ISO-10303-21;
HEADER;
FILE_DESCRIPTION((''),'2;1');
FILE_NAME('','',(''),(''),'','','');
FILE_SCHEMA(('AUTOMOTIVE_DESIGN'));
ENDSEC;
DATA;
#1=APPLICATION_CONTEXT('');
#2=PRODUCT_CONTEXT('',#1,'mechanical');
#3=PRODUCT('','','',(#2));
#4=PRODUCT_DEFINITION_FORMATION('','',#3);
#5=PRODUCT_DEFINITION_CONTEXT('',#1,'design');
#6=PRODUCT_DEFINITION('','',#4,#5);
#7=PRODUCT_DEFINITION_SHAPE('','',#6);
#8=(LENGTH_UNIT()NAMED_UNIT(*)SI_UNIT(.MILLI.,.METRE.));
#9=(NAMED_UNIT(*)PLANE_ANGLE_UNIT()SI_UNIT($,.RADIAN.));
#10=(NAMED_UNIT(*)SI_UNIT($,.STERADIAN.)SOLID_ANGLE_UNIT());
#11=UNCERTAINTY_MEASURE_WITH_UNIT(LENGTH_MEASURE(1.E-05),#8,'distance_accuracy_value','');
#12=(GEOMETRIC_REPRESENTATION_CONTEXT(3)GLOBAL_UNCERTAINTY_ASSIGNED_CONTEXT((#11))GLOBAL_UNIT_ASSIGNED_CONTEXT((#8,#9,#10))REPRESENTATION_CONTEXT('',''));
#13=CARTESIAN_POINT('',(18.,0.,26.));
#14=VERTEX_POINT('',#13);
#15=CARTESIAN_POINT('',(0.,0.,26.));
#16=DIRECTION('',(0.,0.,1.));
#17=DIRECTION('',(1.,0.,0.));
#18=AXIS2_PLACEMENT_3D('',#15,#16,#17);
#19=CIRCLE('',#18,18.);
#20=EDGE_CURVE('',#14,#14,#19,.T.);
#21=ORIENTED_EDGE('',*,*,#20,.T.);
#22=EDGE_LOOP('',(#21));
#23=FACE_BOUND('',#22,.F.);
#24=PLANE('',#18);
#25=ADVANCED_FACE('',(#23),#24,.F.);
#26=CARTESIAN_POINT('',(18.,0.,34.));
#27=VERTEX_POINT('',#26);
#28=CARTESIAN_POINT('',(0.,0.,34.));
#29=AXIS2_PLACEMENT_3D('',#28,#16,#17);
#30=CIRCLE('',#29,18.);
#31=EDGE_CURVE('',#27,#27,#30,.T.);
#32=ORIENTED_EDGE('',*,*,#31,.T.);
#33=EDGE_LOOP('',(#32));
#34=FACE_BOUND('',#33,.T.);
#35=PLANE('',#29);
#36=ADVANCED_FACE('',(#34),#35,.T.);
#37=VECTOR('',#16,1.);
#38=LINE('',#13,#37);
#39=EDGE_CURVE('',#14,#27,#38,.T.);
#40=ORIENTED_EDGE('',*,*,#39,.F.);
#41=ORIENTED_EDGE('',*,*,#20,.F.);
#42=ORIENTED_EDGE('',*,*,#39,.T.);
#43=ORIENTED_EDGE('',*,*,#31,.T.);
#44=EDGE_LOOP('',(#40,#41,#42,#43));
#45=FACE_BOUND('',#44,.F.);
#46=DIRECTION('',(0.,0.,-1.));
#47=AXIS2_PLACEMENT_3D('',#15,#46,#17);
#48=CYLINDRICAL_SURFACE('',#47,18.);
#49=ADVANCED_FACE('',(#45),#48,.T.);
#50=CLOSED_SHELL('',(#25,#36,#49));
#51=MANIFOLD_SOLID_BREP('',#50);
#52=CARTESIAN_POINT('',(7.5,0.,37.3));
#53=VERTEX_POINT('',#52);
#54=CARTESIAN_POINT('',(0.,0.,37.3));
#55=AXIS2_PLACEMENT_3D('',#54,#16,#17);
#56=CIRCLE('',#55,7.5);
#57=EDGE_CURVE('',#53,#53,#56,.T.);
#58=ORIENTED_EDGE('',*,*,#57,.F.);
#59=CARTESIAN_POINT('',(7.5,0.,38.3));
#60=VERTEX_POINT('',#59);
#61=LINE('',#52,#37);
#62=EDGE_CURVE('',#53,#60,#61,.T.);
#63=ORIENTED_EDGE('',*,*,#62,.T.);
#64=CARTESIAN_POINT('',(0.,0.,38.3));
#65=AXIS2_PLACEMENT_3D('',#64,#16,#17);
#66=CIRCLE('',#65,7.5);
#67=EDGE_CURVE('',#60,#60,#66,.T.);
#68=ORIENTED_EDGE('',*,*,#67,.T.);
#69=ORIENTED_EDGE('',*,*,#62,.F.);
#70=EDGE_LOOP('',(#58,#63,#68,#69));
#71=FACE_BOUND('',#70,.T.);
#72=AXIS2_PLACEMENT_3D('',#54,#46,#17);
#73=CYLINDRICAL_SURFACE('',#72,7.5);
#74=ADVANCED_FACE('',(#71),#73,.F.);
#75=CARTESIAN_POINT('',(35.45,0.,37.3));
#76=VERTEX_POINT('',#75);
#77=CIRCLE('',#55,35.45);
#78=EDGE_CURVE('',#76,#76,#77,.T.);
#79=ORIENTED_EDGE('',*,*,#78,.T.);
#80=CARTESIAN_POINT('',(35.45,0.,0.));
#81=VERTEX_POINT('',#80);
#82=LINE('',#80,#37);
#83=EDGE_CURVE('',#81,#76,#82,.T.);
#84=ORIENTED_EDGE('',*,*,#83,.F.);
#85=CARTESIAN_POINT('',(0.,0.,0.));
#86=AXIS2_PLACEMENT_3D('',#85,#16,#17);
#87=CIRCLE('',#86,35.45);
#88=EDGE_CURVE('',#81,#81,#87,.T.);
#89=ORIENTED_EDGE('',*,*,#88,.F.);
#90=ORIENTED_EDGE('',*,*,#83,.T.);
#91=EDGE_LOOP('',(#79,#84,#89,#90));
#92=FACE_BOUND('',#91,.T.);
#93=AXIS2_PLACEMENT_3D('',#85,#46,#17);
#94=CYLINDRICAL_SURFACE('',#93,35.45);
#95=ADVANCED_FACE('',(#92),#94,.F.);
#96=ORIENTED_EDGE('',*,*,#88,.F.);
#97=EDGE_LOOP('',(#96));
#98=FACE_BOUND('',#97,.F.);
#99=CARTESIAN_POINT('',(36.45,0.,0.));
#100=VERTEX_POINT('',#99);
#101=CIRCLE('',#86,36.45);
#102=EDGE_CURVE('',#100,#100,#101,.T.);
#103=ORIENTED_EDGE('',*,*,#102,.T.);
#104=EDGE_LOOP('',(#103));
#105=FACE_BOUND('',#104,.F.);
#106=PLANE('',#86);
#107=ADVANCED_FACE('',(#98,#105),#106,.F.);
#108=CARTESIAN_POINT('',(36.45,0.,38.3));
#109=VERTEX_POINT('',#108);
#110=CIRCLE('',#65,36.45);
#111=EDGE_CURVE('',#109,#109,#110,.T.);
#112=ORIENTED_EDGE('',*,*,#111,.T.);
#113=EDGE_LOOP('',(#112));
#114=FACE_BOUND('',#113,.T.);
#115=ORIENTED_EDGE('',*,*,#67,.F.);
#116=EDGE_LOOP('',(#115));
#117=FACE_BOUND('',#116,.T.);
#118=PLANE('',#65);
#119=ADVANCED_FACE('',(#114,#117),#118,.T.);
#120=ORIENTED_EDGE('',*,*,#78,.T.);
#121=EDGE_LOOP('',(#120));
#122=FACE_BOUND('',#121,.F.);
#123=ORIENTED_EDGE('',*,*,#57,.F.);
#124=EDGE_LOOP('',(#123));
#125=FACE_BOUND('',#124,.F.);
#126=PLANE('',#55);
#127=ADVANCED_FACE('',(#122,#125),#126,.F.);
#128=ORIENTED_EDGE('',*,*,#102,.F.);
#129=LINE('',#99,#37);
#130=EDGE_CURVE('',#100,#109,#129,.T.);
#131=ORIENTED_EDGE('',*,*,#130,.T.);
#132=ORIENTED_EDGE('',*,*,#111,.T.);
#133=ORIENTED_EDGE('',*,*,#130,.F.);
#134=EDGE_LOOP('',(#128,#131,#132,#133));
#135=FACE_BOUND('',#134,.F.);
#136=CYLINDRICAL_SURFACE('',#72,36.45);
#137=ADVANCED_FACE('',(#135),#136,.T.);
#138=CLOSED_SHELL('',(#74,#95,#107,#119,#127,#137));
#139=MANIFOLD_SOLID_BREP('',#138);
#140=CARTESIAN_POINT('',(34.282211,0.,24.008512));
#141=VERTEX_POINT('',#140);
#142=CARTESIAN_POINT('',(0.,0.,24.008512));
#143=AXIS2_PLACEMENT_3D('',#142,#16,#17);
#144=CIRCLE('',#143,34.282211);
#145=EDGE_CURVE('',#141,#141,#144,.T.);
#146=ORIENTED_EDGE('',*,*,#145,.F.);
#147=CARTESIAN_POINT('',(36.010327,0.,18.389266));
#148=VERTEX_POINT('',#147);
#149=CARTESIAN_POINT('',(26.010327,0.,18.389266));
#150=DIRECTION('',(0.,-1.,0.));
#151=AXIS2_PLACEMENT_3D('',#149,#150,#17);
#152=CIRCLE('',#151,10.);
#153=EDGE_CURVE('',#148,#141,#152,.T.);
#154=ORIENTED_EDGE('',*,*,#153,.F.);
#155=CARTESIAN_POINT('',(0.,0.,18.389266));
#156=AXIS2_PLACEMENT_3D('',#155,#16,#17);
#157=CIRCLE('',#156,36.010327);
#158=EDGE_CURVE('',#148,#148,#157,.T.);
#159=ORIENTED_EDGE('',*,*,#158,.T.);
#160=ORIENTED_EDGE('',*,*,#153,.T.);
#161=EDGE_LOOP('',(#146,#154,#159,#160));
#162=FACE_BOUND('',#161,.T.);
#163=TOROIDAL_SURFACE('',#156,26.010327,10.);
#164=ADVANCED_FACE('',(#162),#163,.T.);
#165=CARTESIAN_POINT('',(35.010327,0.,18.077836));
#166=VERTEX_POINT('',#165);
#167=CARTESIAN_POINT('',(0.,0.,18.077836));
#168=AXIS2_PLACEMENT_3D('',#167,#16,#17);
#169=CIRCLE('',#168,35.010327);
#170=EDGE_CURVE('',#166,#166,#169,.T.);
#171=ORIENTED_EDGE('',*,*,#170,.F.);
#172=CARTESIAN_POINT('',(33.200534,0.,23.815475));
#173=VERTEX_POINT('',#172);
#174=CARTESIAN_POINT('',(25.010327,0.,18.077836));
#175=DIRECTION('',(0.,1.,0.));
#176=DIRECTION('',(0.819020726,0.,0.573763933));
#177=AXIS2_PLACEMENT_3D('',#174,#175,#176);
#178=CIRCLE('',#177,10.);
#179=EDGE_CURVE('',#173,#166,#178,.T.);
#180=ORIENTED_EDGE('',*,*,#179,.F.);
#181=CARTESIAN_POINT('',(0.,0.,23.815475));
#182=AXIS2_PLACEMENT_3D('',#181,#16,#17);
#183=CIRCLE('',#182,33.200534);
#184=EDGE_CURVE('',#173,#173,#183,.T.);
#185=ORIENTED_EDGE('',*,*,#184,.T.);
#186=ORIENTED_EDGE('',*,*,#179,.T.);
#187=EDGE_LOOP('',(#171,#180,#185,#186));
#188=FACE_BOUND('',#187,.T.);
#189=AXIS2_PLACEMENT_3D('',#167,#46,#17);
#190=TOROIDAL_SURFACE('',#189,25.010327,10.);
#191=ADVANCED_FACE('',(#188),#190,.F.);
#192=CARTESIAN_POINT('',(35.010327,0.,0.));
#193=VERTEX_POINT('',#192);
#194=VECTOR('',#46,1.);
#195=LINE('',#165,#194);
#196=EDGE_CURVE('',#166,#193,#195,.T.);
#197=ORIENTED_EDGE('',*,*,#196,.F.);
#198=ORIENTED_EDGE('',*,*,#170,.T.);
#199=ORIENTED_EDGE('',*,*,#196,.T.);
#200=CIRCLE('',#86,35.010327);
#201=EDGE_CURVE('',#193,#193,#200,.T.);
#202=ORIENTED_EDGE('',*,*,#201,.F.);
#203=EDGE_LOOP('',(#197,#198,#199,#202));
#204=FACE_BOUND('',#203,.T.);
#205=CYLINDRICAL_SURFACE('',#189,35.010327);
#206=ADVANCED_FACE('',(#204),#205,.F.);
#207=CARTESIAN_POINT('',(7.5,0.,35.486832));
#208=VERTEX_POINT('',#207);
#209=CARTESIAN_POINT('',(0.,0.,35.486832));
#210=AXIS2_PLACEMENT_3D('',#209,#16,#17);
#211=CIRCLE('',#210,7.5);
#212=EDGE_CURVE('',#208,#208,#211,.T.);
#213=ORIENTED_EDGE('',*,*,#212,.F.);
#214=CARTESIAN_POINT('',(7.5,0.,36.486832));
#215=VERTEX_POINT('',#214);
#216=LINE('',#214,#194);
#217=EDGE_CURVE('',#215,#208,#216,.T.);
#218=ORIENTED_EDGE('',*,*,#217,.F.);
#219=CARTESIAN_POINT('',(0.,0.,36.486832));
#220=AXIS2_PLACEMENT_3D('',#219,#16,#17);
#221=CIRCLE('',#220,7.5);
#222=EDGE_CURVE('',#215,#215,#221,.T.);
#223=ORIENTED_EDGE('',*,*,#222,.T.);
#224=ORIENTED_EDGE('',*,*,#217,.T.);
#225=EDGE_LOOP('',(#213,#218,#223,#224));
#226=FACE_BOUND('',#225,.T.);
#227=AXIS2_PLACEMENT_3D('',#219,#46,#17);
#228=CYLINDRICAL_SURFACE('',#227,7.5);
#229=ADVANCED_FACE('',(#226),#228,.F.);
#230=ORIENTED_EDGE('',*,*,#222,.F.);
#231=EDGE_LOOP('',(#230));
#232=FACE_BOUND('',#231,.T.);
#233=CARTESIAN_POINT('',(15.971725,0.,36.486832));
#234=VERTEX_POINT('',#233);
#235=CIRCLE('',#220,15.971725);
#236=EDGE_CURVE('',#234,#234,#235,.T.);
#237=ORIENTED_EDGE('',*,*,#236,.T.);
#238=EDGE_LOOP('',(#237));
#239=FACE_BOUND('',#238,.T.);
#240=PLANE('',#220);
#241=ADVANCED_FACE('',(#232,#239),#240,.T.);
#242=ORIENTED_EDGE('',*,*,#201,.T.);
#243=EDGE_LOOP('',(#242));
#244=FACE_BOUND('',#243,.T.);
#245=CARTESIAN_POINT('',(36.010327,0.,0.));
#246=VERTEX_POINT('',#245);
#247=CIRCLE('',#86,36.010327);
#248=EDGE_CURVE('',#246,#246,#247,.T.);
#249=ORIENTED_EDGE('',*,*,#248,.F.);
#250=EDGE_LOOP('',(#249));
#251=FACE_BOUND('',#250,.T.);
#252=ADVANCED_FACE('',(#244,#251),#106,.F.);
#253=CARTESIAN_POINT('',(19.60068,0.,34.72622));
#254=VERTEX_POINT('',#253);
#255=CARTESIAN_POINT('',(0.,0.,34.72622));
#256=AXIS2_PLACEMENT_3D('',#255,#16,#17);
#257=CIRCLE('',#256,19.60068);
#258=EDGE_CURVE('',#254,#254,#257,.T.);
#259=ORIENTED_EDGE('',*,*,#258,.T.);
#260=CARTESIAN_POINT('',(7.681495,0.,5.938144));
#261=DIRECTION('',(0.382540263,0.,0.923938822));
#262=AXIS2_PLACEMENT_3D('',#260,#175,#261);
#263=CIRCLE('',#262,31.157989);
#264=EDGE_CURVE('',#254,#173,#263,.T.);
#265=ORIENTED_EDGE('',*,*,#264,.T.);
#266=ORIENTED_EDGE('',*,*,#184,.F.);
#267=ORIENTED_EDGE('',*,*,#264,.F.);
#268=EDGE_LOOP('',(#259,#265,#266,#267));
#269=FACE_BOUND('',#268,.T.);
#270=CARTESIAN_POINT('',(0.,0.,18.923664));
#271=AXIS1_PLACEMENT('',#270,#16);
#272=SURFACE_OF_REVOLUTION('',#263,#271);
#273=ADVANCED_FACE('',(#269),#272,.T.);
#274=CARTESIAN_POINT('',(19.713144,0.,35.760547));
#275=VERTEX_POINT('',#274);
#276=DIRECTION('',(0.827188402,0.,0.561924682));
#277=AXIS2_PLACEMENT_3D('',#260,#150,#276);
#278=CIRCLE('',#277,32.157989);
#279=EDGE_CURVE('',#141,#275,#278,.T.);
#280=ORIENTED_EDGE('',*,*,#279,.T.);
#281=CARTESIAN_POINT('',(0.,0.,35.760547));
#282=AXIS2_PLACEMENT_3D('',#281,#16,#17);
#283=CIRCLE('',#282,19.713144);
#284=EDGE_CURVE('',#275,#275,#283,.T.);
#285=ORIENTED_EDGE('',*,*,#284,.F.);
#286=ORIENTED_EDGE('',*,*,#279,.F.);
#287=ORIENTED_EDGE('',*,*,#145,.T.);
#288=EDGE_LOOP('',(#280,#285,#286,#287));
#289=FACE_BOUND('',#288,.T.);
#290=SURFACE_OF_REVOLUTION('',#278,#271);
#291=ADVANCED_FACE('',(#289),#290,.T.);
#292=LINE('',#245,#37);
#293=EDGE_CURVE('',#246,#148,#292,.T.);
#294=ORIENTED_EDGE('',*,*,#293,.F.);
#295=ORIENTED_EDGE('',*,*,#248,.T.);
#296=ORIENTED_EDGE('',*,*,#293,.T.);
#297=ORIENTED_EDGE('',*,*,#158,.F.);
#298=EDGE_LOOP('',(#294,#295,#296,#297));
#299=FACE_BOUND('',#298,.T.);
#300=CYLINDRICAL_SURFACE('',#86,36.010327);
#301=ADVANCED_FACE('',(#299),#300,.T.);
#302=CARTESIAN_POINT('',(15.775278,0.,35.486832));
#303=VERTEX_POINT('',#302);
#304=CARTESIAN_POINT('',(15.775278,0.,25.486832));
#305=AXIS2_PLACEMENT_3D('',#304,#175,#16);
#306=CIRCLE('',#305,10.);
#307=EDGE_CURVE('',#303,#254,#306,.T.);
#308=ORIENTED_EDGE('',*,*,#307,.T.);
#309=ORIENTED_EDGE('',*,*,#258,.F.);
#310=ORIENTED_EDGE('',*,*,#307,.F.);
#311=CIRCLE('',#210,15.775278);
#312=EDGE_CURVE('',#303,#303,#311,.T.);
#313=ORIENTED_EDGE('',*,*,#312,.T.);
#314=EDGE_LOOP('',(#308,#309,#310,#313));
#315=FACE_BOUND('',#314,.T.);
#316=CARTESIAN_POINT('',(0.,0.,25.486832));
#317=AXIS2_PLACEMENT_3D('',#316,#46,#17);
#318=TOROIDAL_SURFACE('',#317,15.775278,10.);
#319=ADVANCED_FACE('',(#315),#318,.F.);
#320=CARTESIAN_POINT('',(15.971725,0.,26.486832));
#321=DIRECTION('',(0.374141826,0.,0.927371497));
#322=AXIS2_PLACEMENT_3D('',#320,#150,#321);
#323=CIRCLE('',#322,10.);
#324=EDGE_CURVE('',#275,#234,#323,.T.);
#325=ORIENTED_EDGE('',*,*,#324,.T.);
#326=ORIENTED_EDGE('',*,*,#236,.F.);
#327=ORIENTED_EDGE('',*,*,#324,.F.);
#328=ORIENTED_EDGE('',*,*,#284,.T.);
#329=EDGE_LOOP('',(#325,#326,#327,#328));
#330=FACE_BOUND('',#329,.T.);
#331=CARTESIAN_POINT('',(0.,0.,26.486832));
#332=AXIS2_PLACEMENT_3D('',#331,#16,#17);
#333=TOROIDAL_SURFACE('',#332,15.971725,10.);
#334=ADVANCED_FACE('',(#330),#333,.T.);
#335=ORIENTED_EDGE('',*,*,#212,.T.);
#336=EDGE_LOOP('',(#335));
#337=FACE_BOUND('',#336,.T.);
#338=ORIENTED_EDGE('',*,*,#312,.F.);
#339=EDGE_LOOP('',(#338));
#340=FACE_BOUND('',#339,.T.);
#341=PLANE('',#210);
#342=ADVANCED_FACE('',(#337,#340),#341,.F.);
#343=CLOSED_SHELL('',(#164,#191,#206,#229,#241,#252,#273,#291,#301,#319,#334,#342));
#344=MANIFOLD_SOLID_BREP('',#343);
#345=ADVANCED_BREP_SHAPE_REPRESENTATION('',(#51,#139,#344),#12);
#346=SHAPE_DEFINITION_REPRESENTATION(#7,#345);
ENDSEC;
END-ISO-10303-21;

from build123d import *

# Parameters (mm, degrees)
F7_R      = 18
F8_DEPTH  = 8
F5_R      = 36.45
F5_R_2    = 35.45
F9_DEPTH  = 37.3
F11_R     = 36.45
F11_R_2   = 7.5
F12_DEPTH = 1


with BuildPart() as f8:
    # F7 (on offset) → F8 (new body)
    with BuildSketch(Plane.XY.offset(26)):
        Circle(F7_R)
    extrude(amount=F8_DEPTH)


with BuildPart() as f9:
    # F5 (on Top) → F9 (new body)
    with BuildSketch(Plane.XY):
        Circle(F5_R)
        Circle(F5_R_2, mode=Mode.SUBTRACT)
    extrude(amount=F9_DEPTH)

    # F11 (on offset) → F12 (join)
    with BuildSketch(Plane.XY.offset(37.3)):
        Circle(F11_R)
        Circle(F11_R_2, mode=Mode.SUBTRACT)
    extrude(amount=F12_DEPTH)


with BuildPart() as f14:
    # F13 (on Front) → F14 (revolve)
    with BuildSketch(Plane.XZ):
        with BuildLine():
            Line((35.0103266537, 18.0778356203), (35.0103266537, 0))
            Line((35.0103266537, 0), (36.0103266537, 0))
            Line((36.0103266537, 0), (36.0103266537, 18.3892655566))
            ThreePointArc((36.0103266537, 18.3892655566), (35.5685388344, 21.3287518908), (34.2822106719, 24.0085123736))
            ThreePointArc((34.2822106719, 24.0085123736), (27.8716528349, 30.9680026182), (19.7131436366, 35.7605472353))
            ThreePointArc((19.7131436366, 35.7605472353), (17.8773552302, 36.3035819712), (15.9717253793, 36.4868322611))
            Line((15.9717253793, 36.4868322611), (7.5, 36.4868322611))
            Line((7.5, 36.4868322611), (7.5, 35.4868322611))
            Line((7.5, 35.4868322611), (15.7752775923, 35.4868322611))
            ThreePointArc((15.7752775923, 35.4868322611), (17.7254208899, 35.2948361925), (19.6006802182, 34.7262204849))
            ThreePointArc((19.6006802182, 34.7262204849), (27.1793473993, 30.2415196608), (33.2005339142, 23.815474946))
            ThreePointArc((33.2005339142, 23.815474946), (34.5471519275, 21.0859851674), (35.0103266537, 18.0778356203))
        make_face()
    revolve(axis=Axis((0, 0, 18.9236644655), (0, 0, 1)))


solid = Compound([f8.part, f9.part, f14.part])
